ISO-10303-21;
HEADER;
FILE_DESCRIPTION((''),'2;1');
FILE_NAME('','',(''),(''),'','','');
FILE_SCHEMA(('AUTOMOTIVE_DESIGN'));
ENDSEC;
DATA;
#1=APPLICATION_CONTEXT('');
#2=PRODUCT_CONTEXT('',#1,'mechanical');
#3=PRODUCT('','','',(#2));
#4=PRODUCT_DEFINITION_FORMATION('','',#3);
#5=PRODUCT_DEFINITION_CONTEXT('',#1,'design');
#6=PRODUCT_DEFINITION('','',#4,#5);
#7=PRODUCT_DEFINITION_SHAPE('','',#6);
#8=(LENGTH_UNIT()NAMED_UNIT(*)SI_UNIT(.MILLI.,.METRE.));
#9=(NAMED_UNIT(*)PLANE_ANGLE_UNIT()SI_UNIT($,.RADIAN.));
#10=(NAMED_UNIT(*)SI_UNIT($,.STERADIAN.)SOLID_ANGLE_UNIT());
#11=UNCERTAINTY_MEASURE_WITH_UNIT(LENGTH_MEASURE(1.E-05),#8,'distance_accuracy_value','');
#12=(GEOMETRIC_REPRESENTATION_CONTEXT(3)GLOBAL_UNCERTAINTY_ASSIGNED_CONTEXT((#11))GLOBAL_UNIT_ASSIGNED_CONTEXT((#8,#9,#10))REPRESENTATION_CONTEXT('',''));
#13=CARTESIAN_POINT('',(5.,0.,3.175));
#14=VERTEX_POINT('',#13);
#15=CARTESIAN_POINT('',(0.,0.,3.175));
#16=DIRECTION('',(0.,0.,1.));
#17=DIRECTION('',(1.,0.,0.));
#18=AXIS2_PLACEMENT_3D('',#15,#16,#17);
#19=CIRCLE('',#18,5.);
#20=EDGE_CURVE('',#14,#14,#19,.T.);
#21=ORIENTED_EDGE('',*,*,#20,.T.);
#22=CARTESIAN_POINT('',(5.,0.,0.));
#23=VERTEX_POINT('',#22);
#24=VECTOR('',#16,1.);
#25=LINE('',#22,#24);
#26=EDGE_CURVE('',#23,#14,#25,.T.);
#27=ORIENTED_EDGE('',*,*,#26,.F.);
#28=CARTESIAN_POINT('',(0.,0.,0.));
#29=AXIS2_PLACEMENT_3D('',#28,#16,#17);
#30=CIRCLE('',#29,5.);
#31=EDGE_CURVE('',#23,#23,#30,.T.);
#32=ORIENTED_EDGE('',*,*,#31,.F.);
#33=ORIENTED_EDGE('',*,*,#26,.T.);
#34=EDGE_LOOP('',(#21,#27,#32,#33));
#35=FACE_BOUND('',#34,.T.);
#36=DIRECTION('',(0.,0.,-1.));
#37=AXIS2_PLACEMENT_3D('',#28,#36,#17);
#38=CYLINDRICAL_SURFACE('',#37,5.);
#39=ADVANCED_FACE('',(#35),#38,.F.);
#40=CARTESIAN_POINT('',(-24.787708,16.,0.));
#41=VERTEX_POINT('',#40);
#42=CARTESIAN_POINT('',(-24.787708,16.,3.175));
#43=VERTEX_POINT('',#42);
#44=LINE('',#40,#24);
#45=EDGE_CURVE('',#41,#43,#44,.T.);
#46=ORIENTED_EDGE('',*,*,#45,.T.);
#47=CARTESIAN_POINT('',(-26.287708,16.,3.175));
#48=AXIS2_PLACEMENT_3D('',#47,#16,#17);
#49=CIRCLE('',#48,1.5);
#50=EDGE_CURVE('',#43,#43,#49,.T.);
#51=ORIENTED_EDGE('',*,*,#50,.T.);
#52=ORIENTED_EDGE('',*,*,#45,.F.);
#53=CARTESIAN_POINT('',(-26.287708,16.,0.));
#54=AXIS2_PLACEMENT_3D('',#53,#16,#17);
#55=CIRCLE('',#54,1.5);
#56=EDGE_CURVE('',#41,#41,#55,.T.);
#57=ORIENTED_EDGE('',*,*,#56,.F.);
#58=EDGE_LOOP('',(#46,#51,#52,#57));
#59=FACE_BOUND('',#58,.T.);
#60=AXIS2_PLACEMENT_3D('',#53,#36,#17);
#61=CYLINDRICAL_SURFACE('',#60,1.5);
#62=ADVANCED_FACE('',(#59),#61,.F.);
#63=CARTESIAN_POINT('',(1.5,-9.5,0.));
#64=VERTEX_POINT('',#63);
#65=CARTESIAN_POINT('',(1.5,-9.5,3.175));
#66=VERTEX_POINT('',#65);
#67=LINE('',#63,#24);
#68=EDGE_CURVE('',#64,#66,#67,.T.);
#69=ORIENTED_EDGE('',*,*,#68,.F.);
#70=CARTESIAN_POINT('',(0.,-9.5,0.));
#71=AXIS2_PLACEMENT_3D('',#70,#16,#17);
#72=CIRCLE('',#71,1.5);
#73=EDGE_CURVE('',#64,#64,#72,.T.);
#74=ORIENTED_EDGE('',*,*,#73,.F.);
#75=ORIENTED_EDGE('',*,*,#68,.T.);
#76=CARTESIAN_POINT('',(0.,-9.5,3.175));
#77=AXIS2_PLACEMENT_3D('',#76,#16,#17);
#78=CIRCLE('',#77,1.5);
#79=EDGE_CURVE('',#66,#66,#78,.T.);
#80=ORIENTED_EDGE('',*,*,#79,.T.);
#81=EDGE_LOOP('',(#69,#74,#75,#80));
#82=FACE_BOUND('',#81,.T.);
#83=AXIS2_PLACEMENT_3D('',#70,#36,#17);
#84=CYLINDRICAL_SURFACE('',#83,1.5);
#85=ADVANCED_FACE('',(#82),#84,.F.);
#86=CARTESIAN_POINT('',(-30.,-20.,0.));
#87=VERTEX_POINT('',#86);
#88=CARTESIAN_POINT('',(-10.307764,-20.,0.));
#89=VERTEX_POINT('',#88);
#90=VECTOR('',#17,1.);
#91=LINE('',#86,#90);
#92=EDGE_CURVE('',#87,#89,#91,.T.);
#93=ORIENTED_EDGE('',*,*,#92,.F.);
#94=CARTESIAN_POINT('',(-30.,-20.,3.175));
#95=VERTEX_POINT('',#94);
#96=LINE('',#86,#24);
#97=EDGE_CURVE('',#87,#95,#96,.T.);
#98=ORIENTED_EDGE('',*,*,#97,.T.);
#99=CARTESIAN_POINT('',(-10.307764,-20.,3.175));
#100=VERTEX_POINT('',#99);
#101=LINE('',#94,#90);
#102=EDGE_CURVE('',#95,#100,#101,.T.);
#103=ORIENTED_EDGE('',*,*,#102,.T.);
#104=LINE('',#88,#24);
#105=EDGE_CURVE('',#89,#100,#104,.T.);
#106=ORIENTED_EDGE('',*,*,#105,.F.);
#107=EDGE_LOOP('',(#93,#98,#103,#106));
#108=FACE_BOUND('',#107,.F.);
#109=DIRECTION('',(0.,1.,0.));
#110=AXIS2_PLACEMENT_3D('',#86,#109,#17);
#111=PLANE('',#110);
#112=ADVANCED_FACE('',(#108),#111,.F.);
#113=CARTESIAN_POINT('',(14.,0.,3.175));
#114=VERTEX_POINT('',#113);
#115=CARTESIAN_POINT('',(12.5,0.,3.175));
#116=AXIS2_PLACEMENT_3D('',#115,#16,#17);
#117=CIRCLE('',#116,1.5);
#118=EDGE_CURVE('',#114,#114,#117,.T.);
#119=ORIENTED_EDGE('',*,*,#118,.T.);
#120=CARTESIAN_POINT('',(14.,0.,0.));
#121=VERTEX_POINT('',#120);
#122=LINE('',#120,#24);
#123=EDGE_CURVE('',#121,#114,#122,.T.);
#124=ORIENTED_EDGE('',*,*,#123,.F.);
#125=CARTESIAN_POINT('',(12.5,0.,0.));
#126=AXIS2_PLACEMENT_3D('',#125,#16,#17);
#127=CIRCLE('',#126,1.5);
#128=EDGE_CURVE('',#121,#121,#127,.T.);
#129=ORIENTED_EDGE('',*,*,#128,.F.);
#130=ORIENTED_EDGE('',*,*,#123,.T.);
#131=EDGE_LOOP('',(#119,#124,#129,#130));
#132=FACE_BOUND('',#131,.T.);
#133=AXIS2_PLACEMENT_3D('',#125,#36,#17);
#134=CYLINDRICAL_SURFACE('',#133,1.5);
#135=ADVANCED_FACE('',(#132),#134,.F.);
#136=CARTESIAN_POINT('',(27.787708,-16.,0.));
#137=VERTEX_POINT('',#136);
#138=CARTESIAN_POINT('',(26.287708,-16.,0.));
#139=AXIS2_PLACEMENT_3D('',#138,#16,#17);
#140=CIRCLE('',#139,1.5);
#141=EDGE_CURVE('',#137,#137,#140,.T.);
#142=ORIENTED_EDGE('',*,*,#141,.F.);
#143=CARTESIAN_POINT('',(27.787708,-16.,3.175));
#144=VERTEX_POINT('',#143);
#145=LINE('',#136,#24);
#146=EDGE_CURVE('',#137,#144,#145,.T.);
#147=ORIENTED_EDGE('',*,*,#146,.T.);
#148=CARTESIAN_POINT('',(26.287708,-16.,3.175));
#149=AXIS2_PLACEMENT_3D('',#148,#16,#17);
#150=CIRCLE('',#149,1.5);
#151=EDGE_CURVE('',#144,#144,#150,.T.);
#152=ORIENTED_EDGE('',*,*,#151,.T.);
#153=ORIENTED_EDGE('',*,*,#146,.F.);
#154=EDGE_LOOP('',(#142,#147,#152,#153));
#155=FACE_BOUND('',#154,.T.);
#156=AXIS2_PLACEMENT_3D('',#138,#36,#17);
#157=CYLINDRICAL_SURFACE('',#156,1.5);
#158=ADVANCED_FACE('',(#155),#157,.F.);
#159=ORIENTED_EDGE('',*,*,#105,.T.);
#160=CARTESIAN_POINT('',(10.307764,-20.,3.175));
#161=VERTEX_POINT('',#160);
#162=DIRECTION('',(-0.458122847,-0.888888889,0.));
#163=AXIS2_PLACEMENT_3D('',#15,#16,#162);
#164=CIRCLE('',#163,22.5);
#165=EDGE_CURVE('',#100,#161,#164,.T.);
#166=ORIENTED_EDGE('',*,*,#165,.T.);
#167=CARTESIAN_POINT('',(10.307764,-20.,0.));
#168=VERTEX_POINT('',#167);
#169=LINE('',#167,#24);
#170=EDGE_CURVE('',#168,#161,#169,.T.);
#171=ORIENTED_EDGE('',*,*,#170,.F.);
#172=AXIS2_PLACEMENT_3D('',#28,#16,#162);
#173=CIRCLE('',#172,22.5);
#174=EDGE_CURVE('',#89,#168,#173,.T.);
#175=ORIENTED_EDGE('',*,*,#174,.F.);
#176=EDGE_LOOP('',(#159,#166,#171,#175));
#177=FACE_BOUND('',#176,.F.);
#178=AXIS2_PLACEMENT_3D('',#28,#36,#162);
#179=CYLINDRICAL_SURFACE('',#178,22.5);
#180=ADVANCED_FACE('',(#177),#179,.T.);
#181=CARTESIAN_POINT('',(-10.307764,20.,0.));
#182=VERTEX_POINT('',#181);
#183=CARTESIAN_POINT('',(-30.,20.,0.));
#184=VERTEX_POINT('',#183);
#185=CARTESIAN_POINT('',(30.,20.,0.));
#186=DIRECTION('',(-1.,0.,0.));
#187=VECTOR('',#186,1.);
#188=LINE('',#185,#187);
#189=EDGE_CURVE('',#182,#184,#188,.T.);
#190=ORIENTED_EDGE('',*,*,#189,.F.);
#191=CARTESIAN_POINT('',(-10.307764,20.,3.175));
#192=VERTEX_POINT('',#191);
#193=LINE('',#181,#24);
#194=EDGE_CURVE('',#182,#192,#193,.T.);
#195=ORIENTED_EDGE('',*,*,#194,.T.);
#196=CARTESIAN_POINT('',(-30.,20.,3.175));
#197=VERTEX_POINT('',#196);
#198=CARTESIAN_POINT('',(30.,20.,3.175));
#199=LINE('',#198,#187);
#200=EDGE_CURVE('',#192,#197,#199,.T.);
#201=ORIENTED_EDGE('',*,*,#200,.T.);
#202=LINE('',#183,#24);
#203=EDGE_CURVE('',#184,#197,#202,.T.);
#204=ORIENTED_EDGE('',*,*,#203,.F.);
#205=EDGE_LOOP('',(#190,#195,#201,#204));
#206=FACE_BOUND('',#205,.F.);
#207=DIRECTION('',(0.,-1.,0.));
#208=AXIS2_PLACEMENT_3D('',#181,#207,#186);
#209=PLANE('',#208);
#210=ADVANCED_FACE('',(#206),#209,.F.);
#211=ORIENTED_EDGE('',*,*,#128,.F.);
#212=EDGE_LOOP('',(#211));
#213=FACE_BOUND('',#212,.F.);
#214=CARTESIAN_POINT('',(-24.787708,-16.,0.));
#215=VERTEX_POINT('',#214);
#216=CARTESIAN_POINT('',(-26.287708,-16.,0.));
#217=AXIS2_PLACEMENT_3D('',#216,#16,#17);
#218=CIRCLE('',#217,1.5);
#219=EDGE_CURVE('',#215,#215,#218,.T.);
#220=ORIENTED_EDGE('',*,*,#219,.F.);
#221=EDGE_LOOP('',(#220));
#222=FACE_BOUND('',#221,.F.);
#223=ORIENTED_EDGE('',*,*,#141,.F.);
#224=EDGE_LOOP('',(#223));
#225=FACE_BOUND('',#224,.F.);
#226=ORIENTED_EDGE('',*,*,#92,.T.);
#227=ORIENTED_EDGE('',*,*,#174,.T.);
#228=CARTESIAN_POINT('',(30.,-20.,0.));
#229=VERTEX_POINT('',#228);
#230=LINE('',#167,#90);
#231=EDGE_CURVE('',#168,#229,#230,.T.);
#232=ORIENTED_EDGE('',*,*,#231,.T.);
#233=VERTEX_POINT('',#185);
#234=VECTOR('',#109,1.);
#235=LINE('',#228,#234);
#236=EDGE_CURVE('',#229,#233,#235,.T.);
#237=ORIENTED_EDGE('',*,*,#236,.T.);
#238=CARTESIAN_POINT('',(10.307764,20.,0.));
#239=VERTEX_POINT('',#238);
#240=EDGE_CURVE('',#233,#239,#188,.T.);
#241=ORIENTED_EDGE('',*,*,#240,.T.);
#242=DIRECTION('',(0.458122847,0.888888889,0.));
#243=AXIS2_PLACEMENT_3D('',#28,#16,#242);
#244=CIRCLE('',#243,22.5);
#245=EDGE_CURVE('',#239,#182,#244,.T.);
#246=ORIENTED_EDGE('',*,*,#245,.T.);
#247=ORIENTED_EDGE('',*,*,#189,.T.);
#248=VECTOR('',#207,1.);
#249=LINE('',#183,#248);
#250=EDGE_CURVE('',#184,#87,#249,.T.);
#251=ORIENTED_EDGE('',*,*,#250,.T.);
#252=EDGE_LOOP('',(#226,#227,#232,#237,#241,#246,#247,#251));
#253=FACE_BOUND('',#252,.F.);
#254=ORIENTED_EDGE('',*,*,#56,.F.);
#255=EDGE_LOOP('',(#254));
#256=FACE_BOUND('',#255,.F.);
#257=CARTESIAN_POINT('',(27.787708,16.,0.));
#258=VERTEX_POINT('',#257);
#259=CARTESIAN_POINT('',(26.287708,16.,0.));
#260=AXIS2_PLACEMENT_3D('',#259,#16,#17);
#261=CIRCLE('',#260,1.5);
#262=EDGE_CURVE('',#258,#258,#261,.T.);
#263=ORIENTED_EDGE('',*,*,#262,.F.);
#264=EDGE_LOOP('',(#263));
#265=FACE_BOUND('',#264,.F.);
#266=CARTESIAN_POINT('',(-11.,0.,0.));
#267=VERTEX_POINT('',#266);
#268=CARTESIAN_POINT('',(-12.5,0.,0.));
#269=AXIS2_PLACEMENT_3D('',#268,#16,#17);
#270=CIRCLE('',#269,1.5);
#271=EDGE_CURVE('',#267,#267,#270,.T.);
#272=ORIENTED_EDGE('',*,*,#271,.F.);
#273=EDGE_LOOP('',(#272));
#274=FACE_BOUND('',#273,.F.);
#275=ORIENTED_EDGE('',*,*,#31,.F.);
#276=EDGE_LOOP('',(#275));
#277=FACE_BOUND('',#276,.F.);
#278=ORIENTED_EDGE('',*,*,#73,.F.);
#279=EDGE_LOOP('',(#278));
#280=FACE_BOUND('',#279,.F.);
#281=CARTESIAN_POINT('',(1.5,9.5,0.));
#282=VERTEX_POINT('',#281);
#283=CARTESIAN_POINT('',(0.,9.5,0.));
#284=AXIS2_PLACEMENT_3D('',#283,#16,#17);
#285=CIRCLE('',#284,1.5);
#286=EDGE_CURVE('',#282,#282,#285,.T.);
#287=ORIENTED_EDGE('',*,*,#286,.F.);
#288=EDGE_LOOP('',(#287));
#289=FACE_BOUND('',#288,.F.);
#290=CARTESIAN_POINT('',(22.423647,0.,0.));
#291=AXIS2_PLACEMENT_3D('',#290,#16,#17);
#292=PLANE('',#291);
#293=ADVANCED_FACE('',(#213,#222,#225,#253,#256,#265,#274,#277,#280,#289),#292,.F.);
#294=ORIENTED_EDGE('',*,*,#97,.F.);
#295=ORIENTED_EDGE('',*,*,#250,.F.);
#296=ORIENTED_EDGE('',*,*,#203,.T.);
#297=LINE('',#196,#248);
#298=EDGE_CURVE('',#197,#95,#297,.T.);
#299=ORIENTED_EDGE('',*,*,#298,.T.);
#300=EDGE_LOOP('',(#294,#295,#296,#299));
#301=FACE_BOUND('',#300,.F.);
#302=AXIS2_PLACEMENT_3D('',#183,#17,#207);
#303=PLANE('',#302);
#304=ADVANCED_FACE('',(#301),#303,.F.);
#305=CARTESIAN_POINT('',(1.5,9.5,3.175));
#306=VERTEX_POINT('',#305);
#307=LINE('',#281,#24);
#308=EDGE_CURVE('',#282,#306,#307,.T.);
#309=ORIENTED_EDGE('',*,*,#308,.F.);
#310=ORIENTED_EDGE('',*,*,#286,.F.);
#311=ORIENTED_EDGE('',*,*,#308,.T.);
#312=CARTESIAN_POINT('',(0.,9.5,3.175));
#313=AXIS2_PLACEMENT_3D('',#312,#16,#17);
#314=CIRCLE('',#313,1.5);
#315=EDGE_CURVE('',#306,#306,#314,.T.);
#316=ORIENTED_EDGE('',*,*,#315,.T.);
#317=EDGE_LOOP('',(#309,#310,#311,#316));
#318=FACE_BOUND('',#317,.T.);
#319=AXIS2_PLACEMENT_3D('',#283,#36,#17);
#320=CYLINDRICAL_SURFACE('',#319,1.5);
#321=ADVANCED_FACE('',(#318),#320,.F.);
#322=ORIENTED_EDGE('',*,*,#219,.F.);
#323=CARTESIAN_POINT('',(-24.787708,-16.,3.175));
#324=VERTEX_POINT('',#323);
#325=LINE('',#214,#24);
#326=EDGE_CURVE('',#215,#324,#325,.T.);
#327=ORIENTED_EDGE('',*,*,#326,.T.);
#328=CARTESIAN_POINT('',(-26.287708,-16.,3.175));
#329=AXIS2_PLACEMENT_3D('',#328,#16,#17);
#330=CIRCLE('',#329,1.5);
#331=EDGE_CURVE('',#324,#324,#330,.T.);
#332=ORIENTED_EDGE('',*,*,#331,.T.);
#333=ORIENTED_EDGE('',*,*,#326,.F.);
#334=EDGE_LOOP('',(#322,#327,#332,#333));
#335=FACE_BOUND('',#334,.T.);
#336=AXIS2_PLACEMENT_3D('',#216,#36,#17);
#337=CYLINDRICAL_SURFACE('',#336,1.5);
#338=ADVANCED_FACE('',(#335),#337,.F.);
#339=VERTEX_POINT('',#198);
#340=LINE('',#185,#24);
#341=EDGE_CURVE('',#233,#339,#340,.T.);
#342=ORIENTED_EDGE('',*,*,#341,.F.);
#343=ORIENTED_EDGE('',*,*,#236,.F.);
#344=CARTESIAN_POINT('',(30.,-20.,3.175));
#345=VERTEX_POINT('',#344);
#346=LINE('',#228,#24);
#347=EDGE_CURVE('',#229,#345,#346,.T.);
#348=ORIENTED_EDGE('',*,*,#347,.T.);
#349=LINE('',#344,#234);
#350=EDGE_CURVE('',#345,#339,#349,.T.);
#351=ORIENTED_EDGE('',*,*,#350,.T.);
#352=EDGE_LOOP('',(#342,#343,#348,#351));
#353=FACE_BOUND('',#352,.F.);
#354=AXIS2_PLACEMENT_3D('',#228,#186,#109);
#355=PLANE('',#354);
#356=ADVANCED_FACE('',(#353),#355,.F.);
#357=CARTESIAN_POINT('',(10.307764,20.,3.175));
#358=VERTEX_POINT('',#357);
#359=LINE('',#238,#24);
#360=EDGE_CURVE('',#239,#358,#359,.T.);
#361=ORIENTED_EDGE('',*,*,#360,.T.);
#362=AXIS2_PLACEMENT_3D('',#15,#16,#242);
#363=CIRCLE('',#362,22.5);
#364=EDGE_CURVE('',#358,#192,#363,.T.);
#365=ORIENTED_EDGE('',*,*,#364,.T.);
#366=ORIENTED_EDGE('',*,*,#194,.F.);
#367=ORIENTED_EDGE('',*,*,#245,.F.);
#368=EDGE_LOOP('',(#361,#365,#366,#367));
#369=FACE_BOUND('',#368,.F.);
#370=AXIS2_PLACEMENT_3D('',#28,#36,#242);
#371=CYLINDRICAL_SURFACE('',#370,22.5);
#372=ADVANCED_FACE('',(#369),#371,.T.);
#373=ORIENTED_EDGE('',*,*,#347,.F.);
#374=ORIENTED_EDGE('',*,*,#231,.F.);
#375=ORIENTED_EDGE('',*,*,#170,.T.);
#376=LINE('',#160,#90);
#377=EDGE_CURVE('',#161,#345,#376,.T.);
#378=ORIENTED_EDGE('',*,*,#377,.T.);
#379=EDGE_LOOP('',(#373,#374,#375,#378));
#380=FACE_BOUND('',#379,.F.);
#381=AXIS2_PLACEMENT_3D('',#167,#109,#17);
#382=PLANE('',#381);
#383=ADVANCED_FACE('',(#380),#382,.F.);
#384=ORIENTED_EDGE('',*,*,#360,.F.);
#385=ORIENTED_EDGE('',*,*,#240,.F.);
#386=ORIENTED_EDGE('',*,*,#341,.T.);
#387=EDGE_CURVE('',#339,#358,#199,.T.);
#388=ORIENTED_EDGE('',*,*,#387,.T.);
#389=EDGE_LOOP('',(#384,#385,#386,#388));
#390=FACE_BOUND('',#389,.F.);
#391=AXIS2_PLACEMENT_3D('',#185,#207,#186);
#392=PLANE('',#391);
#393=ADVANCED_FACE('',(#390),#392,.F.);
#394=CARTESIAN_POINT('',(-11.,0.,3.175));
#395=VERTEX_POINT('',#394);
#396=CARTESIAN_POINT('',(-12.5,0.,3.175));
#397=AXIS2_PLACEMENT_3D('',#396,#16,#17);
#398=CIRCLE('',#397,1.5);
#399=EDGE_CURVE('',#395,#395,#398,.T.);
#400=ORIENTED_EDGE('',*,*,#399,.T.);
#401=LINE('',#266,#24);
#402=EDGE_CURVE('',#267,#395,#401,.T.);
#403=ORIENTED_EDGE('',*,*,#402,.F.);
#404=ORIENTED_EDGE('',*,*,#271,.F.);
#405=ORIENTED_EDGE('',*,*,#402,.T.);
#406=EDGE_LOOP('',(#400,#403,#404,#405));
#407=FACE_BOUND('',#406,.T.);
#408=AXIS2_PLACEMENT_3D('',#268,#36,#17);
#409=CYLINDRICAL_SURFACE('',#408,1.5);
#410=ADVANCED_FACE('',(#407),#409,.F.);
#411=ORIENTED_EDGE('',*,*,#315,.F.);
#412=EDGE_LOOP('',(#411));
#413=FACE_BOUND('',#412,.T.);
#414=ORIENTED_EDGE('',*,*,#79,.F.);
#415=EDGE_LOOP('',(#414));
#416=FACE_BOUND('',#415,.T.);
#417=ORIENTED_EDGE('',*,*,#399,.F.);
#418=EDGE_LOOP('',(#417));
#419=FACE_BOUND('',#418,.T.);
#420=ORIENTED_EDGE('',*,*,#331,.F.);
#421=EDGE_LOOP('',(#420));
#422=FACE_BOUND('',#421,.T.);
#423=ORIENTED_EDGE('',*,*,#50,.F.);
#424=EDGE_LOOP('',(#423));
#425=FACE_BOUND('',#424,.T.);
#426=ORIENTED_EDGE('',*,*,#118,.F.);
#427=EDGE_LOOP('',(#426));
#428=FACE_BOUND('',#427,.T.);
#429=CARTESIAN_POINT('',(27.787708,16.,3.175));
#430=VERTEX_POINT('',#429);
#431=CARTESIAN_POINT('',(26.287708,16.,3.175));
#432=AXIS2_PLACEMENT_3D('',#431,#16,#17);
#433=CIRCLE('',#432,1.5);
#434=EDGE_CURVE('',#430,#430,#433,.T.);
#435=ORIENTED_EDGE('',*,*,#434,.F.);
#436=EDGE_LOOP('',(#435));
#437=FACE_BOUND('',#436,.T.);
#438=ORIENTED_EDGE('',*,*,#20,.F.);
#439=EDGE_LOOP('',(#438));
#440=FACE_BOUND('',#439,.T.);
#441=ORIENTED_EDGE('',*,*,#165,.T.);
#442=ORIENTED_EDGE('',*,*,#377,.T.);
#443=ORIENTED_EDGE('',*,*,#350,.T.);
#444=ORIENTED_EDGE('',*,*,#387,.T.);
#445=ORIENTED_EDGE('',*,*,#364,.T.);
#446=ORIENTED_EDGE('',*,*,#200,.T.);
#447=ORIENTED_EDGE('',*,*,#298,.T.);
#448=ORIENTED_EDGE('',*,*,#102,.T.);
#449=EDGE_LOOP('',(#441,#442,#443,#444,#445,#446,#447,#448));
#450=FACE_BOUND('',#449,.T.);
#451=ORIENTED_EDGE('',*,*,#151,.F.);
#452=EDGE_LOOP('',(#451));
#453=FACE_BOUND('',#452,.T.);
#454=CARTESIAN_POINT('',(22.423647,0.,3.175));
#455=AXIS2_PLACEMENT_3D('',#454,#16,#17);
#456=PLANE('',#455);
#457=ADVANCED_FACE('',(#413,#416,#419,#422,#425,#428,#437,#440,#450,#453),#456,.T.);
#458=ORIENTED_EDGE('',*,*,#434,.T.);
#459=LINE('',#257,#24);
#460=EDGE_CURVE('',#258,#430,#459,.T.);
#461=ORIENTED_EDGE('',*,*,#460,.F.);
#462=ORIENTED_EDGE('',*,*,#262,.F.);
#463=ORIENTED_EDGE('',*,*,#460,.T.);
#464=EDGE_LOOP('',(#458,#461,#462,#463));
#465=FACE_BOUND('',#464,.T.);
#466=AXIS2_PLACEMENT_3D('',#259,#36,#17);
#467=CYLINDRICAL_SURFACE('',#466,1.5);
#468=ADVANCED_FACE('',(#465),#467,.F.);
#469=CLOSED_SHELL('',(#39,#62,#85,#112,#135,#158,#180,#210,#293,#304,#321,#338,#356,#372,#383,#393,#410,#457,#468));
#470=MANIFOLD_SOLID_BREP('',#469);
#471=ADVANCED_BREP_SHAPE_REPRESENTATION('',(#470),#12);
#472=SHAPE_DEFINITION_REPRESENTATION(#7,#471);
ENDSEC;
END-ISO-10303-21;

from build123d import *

# Parameters (mm, degrees)
F0_R     = 1.5
F0_R_2   = 5
F1_DEPTH = 3.175


with BuildPart() as f1:
    # F0 (on Top) → F1 (new body)
    with BuildSketch(Plane.XY):
        with BuildLine():
            Line((10.307764064, -20), (30, -20))
            Line((30, -20), (30, 20))
            Line((30, 20), (10.307764064, 20))
            ThreePointArc((10.307764064, 20), (19.2116460961, 11.7116460961), (22.5, 0))
            ThreePointArc((22.5, 0), (19.2116460961, -11.7116460961), (10.307764064, -20))
        make_face()
        with Locations((26.2877084315, -16)):
            Circle(F0_R, mode=Mode.SUBTRACT)
        with Locations((26.2877084315, 16)):
            Circle(F0_R, mode=Mode.SUBTRACT)
        with BuildLine():
            ThreePointArc((-10.307764064, -20), (0, -22.5), (10.307764064, -20))
            Line((10.307764064, -20), (-10.307764064, -20))
        make_face()
        with BuildLine():
            Line((-10.307764064, -20), (10.307764064, -20))
            ThreePointArc((10.307764064, -20), (19.2116460961, -11.7116460961), (22.5, 0))
            ThreePointArc((22.5, 0), (19.2116460961, 11.7116460961), (10.307764064, 20))
            Line((10.307764064, 20), (-10.307764064, 20))
            ThreePointArc((-10.307764064, 20), (-22.5, 0), (-10.307764064, -20))
        make_face()
        with Locations((0, -9.5)):
            Circle(F0_R, mode=Mode.SUBTRACT)
        with Locations((-12.5, 0)):
            Circle(F0_R, mode=Mode.SUBTRACT)
        Circle(F0_R_2, mode=Mode.SUBTRACT)
        with Locations((12.5, 0)):
            Circle(F0_R, mode=Mode.SUBTRACT)
        with Locations((0, 9.5)):
            Circle(F0_R, mode=Mode.SUBTRACT)
        with BuildLine():
            Line((-30, -20), (-10.307764064, -20))
            ThreePointArc((-10.307764064, -20), (-22.5, 0), (-10.307764064, 20))
            Line((-10.307764064, 20), (-30, 20))
            Line((-30, 20), (-30, -20))
        make_face()
        with Locations((-26.2877084315, -16)):
            Circle(F0_R, mode=Mode.SUBTRACT)
        with Locations((-26.2877084315, 16)):
            Circle(F0_R, mode=Mode.SUBTRACT)
        with BuildLine():
            Line((-10.307764064, 20), (10.307764064, 20))
            ThreePointArc((10.307764064, 20), (0, 22.5), (-10.307764064, 20))
        make_face()
    extrude(amount=F1_DEPTH)


solid = f1.part
